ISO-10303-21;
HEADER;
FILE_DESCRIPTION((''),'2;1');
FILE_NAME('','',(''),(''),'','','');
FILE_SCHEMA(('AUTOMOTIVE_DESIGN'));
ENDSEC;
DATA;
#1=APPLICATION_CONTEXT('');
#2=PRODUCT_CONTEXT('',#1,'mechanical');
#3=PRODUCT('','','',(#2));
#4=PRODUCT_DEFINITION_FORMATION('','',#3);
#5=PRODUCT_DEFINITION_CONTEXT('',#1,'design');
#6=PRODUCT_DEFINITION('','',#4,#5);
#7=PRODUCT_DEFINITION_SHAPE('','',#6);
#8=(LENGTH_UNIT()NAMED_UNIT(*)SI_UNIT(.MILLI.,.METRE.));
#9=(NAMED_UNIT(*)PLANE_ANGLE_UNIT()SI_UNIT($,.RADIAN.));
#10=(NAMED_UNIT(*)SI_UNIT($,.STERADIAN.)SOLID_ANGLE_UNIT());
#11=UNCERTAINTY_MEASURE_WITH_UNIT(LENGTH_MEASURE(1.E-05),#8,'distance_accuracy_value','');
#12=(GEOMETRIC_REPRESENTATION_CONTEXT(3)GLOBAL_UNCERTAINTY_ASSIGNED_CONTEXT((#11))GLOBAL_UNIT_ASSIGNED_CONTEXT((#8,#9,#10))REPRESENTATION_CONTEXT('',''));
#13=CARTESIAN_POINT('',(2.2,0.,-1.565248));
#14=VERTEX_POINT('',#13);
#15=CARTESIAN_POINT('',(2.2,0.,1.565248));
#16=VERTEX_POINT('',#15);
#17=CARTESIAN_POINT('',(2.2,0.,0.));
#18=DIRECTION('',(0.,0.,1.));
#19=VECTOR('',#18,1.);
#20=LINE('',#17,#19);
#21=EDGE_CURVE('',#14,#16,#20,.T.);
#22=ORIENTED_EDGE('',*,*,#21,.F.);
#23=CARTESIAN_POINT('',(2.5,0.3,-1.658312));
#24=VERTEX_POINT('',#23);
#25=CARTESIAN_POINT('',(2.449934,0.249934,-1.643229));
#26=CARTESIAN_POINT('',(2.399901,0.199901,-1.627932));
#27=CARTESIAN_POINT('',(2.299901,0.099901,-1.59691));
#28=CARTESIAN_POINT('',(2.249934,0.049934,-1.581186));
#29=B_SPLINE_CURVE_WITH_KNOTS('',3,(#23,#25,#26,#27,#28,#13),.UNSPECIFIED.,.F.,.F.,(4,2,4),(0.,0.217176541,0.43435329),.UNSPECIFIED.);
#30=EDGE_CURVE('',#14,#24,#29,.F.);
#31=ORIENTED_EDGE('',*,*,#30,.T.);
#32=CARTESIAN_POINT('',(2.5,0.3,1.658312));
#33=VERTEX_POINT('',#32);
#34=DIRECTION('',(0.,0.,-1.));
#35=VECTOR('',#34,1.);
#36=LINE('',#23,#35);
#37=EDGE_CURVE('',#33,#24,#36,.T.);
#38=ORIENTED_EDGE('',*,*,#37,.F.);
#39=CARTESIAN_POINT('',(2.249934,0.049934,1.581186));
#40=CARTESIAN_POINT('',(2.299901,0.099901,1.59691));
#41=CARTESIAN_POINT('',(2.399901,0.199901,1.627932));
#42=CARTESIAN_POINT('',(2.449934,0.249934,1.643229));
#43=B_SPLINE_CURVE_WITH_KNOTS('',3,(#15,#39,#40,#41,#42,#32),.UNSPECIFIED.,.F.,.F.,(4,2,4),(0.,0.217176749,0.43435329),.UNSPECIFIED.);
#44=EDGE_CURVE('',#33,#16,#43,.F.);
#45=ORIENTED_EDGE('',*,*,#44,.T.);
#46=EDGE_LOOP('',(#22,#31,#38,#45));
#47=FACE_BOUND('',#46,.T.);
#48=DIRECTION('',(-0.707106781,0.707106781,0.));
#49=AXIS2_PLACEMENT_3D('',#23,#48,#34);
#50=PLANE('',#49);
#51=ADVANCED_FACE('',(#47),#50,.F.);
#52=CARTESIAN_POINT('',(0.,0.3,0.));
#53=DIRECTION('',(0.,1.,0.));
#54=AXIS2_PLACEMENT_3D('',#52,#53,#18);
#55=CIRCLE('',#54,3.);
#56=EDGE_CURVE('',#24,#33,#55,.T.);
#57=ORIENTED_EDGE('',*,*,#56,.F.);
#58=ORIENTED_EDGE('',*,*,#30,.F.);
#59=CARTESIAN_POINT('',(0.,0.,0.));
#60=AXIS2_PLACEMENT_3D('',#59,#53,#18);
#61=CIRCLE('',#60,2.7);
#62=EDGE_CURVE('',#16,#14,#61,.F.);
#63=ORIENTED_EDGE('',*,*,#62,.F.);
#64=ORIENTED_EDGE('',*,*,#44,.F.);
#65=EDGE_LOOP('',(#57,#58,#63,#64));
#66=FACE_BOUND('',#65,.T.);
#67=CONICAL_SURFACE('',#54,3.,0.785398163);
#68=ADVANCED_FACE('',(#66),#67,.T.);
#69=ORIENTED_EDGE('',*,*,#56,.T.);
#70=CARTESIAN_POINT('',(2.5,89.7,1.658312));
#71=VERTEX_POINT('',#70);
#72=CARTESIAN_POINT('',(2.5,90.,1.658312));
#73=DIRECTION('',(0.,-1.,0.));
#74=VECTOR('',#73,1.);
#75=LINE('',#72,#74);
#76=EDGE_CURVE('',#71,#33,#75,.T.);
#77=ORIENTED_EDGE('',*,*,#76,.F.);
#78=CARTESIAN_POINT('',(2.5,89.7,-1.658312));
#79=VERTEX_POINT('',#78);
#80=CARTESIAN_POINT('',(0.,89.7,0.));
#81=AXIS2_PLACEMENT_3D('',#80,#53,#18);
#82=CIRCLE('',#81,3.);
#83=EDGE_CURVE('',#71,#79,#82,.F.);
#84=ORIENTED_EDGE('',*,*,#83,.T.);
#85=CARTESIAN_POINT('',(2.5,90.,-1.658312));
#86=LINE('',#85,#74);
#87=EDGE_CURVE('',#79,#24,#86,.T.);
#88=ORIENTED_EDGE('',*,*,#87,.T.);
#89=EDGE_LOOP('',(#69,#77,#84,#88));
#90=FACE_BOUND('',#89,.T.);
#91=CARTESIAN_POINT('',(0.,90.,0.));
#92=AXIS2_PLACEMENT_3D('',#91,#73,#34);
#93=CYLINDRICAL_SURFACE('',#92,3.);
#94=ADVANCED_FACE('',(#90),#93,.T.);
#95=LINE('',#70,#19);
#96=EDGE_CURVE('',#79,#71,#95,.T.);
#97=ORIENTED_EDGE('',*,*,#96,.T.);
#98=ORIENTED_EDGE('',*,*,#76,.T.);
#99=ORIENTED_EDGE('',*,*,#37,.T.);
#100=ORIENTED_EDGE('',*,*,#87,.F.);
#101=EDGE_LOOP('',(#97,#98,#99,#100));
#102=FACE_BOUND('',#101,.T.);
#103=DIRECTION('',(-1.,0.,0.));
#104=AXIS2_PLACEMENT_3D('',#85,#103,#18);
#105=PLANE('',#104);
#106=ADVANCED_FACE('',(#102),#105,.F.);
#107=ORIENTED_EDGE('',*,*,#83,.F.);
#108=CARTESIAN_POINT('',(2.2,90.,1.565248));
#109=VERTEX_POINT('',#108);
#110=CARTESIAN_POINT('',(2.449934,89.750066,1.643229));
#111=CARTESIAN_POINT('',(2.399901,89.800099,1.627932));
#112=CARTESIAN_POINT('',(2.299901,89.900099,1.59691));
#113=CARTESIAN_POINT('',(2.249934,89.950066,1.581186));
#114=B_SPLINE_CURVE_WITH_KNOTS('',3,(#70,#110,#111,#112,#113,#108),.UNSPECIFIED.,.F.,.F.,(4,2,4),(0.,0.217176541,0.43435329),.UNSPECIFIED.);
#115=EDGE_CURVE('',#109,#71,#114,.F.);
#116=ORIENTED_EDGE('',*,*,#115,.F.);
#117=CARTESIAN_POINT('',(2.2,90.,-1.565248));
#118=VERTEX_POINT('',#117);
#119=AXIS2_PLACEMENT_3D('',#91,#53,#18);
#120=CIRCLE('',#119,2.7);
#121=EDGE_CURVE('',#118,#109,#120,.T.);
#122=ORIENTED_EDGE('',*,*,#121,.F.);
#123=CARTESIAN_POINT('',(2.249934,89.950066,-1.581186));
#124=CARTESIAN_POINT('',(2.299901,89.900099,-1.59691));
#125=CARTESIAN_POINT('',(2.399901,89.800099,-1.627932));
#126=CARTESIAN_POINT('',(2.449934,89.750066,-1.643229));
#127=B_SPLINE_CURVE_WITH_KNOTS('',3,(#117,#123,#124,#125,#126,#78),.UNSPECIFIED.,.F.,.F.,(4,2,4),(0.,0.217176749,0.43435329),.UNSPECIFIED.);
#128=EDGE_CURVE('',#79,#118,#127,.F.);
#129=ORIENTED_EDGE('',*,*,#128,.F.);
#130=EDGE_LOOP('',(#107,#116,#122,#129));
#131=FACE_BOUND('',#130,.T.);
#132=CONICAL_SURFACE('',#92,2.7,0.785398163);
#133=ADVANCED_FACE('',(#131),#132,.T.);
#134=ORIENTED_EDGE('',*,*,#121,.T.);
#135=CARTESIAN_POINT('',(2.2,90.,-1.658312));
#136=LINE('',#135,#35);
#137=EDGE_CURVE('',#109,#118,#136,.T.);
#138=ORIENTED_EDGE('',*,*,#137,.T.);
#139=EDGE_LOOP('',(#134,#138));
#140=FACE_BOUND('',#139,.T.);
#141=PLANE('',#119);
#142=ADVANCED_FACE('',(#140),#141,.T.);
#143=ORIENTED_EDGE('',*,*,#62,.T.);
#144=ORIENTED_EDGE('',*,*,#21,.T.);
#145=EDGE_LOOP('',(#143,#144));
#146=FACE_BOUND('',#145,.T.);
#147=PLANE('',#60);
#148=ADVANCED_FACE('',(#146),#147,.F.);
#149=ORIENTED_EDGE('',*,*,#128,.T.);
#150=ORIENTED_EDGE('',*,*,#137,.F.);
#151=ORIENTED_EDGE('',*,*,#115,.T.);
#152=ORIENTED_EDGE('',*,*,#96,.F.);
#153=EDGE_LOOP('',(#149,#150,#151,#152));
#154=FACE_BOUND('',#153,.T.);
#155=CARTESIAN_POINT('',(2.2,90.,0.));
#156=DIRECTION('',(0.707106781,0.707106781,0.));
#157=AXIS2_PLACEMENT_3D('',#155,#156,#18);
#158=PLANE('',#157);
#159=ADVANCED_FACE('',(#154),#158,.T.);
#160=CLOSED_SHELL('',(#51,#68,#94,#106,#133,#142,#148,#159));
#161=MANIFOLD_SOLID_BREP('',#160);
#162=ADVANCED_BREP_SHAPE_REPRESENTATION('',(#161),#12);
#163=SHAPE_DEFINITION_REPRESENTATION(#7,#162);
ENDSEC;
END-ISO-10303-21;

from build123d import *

# Parameters (mm, degrees)
BOSS_EXTRUDE1_DEPTH = 90
CHAMFER1_SIZE       = 0.3


with BuildPart() as part:
    # Sketch1 → Boss-Extrude1 (new body)
    with BuildSketch(Plane(origin=(0, 0, 0), x_dir=(1, 0, 0), z_dir=(0, 1, 0))):
        with BuildLine():
            Line((2.5, 1.658312395), (2.5, -1.658312395))
            ThreePointArc((2.5, -1.658312395), (-3, 0), (2.5, 1.658312395))
        make_face()
    extrude(amount=BOSS_EXTRUDE1_DEPTH)

    # Chamfer1
    chamfer1_edges = [part.edges().sort_by_distance(p)[0] for p in [
        (2.5, 0, 0),
        (-3, 0, 0),
        (-3, 90, 0),
        (2.5, 90, 0),
    ]]
    chamfer(chamfer1_edges, length=CHAMFER1_SIZE)


solid = part.part
